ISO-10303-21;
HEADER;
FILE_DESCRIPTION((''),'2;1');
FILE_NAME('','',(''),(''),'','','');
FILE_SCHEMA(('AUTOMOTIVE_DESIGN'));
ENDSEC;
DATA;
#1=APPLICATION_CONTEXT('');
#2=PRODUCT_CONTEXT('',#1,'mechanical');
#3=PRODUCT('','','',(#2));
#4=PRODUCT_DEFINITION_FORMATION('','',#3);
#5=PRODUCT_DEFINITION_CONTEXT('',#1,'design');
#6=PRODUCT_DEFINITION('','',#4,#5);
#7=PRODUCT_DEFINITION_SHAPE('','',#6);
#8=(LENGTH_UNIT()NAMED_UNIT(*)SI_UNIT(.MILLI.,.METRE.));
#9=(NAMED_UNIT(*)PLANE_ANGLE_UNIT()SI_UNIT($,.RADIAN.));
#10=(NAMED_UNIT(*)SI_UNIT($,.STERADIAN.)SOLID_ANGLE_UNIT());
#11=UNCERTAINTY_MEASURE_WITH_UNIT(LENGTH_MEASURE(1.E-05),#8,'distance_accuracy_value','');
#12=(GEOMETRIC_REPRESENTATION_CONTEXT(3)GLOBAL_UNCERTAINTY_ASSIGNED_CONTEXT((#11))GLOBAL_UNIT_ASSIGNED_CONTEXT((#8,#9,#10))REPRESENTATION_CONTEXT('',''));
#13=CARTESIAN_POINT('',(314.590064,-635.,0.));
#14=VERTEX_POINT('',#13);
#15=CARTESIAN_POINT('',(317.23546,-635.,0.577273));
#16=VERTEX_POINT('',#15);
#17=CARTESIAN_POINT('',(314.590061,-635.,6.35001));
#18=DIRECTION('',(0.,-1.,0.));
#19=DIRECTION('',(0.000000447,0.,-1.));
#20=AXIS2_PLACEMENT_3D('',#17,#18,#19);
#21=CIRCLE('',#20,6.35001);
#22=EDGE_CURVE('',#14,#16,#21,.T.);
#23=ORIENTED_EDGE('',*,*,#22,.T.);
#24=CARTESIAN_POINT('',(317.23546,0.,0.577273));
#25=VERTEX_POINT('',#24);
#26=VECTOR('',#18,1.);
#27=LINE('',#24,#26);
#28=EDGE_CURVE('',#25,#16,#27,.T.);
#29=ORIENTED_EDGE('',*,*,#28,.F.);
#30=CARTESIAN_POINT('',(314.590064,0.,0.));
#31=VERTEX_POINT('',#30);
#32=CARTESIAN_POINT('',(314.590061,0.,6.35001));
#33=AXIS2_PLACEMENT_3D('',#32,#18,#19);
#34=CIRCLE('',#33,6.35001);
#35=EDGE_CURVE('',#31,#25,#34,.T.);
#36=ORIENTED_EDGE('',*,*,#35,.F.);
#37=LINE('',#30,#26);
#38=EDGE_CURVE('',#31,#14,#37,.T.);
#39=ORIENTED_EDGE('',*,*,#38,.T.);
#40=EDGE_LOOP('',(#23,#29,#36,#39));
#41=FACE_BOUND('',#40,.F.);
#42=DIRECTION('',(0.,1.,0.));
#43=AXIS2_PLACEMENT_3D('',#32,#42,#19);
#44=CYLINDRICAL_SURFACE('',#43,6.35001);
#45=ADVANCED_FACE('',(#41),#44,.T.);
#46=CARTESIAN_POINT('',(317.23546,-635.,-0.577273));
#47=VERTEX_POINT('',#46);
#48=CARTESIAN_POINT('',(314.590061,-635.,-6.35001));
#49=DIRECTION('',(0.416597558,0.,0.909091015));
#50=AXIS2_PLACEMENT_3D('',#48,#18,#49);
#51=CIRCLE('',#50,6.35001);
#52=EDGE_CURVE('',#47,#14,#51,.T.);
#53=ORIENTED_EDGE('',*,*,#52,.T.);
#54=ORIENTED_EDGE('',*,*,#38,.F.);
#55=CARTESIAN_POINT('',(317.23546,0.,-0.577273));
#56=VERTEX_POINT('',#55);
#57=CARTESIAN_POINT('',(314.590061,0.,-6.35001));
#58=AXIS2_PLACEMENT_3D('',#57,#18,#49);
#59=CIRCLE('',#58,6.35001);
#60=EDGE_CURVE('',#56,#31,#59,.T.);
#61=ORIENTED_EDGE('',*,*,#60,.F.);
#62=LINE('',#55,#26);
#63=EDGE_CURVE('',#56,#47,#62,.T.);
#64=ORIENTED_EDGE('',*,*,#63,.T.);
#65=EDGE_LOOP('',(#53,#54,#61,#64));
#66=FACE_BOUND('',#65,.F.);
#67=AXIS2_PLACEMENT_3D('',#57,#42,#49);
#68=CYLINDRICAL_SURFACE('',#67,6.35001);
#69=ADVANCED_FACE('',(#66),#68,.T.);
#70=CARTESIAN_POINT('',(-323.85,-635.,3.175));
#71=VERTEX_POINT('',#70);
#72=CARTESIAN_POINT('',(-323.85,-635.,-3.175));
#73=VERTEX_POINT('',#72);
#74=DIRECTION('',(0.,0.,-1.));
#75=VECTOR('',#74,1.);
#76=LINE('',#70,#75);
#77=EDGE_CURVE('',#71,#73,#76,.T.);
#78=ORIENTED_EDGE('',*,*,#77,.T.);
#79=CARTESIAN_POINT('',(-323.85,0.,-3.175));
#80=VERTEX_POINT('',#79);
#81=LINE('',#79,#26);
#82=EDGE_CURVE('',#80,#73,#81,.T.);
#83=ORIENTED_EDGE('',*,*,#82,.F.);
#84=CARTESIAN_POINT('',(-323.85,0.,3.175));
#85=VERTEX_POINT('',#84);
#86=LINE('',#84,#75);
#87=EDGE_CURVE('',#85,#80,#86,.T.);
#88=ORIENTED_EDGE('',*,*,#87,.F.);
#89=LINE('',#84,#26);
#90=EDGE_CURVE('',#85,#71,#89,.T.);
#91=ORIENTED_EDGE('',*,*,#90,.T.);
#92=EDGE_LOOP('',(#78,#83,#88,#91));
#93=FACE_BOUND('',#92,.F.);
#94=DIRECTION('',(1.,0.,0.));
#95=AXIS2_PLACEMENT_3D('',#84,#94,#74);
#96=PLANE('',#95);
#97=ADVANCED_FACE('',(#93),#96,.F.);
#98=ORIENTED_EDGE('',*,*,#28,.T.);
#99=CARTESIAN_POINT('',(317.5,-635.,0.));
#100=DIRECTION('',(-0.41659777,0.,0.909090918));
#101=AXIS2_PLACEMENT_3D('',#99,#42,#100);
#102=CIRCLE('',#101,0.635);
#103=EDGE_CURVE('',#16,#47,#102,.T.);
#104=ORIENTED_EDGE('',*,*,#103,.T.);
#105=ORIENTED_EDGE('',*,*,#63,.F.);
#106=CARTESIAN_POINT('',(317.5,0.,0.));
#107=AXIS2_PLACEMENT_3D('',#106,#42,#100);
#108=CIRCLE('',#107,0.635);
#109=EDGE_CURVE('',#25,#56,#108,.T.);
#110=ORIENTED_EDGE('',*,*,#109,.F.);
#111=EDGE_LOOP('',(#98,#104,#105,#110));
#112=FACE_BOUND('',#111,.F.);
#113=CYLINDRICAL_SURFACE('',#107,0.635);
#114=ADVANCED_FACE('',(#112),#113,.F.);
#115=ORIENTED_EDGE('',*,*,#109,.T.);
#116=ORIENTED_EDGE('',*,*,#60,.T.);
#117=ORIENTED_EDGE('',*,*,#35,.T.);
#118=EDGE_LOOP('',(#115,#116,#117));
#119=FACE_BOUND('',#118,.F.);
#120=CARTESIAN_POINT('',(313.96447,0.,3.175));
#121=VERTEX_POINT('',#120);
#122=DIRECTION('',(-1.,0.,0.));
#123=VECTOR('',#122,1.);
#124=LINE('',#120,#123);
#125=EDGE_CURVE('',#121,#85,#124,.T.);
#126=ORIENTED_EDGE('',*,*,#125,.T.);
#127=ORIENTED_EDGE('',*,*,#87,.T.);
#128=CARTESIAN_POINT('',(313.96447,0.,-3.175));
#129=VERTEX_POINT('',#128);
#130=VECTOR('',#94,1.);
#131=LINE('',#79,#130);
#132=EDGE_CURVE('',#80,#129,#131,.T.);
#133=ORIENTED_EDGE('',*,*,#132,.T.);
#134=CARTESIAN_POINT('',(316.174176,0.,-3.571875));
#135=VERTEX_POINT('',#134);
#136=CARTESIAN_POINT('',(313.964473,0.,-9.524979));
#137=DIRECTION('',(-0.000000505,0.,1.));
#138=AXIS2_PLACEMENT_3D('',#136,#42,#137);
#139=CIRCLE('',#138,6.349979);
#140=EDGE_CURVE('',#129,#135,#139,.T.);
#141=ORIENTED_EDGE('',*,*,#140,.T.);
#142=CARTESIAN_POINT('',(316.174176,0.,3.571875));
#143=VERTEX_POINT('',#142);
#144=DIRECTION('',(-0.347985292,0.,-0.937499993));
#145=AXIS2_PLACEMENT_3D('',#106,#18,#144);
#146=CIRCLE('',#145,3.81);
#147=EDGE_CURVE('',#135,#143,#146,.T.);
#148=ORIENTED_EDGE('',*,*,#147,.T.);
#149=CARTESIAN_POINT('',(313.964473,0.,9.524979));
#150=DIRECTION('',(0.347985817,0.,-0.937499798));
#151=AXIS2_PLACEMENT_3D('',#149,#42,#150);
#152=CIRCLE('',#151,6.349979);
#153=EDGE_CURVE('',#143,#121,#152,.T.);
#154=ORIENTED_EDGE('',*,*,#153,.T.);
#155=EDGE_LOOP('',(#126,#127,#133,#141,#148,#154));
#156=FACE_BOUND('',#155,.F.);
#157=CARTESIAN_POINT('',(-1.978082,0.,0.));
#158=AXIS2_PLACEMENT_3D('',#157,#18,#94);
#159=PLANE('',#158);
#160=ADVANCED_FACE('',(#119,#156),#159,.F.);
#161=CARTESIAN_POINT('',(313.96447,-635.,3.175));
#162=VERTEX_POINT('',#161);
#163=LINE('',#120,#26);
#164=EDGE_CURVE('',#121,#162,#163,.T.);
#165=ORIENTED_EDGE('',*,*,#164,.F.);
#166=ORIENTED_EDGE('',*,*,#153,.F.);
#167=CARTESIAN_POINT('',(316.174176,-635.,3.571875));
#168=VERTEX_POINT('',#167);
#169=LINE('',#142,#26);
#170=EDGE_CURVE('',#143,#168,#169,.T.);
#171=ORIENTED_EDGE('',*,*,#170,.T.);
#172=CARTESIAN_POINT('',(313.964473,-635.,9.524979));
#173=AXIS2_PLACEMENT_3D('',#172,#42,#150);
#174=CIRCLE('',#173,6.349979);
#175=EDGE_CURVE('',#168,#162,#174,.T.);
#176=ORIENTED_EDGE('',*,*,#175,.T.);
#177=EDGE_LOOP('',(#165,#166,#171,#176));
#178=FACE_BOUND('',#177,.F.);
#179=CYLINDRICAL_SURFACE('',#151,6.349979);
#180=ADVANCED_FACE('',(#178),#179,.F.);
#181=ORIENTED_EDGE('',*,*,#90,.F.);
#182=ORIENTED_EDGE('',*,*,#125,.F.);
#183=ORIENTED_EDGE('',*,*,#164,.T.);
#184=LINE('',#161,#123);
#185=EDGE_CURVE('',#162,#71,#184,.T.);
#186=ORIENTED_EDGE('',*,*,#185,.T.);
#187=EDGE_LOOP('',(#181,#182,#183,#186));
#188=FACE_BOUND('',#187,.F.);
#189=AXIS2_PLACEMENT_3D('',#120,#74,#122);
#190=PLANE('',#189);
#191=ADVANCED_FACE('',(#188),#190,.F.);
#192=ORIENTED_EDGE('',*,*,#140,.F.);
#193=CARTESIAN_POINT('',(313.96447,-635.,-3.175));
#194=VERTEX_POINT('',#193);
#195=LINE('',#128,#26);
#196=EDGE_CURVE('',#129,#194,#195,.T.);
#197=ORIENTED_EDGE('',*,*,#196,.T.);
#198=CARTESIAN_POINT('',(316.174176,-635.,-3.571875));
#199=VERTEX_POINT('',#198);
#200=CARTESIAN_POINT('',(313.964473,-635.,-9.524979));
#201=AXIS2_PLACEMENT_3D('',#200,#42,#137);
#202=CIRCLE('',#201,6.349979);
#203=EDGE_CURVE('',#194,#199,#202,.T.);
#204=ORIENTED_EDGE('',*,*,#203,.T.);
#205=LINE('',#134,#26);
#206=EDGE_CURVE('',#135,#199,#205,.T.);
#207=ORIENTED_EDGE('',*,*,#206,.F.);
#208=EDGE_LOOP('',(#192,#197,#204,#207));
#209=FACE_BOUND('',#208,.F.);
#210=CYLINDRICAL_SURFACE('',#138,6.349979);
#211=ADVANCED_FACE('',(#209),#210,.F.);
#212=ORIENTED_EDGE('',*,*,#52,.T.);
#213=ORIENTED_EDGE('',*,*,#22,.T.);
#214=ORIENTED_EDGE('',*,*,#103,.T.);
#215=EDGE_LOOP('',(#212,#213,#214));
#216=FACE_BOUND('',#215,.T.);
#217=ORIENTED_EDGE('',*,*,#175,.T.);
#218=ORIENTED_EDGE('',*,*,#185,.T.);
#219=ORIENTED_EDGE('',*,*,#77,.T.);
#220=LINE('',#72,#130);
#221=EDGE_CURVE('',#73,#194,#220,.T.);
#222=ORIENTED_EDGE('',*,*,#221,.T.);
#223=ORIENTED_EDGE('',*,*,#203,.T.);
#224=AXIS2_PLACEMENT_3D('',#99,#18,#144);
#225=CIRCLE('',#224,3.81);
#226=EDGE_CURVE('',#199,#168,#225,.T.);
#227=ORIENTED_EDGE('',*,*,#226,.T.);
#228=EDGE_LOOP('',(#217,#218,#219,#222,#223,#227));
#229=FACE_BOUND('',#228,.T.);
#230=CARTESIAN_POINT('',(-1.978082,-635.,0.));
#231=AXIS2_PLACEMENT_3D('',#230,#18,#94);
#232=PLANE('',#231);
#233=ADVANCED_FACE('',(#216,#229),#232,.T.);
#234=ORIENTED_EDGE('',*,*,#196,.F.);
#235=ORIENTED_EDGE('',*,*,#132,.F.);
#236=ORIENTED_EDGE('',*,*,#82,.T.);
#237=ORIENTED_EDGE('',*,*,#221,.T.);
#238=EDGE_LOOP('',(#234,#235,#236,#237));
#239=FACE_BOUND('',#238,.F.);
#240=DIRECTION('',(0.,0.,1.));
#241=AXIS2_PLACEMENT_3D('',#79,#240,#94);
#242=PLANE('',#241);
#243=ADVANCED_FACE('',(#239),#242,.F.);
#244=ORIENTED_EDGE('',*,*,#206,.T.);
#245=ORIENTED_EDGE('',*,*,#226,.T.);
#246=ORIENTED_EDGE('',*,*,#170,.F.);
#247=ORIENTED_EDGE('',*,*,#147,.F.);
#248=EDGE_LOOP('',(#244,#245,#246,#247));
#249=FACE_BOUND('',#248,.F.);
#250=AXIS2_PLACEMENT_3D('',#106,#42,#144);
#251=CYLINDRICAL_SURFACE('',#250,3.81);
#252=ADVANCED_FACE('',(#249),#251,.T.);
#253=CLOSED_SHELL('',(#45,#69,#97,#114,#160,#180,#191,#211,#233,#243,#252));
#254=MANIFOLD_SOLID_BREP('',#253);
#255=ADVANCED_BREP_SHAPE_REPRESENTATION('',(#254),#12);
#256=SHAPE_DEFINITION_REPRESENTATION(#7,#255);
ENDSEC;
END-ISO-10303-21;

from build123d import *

# Parameters (mm, degrees)
F1_DEPTH = 635


with BuildPart() as f1:
    # F0 (on Front) → F1 (new body)
    with BuildSketch(Plane.XZ):
        with BuildLine():
            Line((-317.5, -3.175), (313.96447, -3.175))
            ThreePointArc((313.96447, -3.175), (315.087002, -3.275006), (316.174176, -3.571875))
            ThreePointArc((316.174176, -3.571875), (321.31, 0), (316.174176, 3.571875))
            ThreePointArc((316.174176, 3.571875), (315.087002, 3.275006), (313.96447, 3.175))
            Line((313.96447, 3.175), (-317.5, 3.175))
            Line((-317.5, 3.175), (-323.85, 3.175))
            Line((-323.85, 3.175), (-323.85, 0))
            Line((-323.85, 0), (-323.85, -3.175))
            Line((-323.85, -3.175), (-317.5, -3.175))
        make_face()
        with BuildLine():
            ThreePointArc((317.23546, -0.577273), (315.943889, -0.145997), (314.590064, 0))
            ThreePointArc((314.590064, 0), (315.943889, 0.145997), (317.23546, 0.577273))
            ThreePointArc((317.23546, 0.577273), (318.135, 0), (317.23546, -0.577273))
        make_face(mode=Mode.SUBTRACT)
    extrude(amount=F1_DEPTH)


solid = f1.part
